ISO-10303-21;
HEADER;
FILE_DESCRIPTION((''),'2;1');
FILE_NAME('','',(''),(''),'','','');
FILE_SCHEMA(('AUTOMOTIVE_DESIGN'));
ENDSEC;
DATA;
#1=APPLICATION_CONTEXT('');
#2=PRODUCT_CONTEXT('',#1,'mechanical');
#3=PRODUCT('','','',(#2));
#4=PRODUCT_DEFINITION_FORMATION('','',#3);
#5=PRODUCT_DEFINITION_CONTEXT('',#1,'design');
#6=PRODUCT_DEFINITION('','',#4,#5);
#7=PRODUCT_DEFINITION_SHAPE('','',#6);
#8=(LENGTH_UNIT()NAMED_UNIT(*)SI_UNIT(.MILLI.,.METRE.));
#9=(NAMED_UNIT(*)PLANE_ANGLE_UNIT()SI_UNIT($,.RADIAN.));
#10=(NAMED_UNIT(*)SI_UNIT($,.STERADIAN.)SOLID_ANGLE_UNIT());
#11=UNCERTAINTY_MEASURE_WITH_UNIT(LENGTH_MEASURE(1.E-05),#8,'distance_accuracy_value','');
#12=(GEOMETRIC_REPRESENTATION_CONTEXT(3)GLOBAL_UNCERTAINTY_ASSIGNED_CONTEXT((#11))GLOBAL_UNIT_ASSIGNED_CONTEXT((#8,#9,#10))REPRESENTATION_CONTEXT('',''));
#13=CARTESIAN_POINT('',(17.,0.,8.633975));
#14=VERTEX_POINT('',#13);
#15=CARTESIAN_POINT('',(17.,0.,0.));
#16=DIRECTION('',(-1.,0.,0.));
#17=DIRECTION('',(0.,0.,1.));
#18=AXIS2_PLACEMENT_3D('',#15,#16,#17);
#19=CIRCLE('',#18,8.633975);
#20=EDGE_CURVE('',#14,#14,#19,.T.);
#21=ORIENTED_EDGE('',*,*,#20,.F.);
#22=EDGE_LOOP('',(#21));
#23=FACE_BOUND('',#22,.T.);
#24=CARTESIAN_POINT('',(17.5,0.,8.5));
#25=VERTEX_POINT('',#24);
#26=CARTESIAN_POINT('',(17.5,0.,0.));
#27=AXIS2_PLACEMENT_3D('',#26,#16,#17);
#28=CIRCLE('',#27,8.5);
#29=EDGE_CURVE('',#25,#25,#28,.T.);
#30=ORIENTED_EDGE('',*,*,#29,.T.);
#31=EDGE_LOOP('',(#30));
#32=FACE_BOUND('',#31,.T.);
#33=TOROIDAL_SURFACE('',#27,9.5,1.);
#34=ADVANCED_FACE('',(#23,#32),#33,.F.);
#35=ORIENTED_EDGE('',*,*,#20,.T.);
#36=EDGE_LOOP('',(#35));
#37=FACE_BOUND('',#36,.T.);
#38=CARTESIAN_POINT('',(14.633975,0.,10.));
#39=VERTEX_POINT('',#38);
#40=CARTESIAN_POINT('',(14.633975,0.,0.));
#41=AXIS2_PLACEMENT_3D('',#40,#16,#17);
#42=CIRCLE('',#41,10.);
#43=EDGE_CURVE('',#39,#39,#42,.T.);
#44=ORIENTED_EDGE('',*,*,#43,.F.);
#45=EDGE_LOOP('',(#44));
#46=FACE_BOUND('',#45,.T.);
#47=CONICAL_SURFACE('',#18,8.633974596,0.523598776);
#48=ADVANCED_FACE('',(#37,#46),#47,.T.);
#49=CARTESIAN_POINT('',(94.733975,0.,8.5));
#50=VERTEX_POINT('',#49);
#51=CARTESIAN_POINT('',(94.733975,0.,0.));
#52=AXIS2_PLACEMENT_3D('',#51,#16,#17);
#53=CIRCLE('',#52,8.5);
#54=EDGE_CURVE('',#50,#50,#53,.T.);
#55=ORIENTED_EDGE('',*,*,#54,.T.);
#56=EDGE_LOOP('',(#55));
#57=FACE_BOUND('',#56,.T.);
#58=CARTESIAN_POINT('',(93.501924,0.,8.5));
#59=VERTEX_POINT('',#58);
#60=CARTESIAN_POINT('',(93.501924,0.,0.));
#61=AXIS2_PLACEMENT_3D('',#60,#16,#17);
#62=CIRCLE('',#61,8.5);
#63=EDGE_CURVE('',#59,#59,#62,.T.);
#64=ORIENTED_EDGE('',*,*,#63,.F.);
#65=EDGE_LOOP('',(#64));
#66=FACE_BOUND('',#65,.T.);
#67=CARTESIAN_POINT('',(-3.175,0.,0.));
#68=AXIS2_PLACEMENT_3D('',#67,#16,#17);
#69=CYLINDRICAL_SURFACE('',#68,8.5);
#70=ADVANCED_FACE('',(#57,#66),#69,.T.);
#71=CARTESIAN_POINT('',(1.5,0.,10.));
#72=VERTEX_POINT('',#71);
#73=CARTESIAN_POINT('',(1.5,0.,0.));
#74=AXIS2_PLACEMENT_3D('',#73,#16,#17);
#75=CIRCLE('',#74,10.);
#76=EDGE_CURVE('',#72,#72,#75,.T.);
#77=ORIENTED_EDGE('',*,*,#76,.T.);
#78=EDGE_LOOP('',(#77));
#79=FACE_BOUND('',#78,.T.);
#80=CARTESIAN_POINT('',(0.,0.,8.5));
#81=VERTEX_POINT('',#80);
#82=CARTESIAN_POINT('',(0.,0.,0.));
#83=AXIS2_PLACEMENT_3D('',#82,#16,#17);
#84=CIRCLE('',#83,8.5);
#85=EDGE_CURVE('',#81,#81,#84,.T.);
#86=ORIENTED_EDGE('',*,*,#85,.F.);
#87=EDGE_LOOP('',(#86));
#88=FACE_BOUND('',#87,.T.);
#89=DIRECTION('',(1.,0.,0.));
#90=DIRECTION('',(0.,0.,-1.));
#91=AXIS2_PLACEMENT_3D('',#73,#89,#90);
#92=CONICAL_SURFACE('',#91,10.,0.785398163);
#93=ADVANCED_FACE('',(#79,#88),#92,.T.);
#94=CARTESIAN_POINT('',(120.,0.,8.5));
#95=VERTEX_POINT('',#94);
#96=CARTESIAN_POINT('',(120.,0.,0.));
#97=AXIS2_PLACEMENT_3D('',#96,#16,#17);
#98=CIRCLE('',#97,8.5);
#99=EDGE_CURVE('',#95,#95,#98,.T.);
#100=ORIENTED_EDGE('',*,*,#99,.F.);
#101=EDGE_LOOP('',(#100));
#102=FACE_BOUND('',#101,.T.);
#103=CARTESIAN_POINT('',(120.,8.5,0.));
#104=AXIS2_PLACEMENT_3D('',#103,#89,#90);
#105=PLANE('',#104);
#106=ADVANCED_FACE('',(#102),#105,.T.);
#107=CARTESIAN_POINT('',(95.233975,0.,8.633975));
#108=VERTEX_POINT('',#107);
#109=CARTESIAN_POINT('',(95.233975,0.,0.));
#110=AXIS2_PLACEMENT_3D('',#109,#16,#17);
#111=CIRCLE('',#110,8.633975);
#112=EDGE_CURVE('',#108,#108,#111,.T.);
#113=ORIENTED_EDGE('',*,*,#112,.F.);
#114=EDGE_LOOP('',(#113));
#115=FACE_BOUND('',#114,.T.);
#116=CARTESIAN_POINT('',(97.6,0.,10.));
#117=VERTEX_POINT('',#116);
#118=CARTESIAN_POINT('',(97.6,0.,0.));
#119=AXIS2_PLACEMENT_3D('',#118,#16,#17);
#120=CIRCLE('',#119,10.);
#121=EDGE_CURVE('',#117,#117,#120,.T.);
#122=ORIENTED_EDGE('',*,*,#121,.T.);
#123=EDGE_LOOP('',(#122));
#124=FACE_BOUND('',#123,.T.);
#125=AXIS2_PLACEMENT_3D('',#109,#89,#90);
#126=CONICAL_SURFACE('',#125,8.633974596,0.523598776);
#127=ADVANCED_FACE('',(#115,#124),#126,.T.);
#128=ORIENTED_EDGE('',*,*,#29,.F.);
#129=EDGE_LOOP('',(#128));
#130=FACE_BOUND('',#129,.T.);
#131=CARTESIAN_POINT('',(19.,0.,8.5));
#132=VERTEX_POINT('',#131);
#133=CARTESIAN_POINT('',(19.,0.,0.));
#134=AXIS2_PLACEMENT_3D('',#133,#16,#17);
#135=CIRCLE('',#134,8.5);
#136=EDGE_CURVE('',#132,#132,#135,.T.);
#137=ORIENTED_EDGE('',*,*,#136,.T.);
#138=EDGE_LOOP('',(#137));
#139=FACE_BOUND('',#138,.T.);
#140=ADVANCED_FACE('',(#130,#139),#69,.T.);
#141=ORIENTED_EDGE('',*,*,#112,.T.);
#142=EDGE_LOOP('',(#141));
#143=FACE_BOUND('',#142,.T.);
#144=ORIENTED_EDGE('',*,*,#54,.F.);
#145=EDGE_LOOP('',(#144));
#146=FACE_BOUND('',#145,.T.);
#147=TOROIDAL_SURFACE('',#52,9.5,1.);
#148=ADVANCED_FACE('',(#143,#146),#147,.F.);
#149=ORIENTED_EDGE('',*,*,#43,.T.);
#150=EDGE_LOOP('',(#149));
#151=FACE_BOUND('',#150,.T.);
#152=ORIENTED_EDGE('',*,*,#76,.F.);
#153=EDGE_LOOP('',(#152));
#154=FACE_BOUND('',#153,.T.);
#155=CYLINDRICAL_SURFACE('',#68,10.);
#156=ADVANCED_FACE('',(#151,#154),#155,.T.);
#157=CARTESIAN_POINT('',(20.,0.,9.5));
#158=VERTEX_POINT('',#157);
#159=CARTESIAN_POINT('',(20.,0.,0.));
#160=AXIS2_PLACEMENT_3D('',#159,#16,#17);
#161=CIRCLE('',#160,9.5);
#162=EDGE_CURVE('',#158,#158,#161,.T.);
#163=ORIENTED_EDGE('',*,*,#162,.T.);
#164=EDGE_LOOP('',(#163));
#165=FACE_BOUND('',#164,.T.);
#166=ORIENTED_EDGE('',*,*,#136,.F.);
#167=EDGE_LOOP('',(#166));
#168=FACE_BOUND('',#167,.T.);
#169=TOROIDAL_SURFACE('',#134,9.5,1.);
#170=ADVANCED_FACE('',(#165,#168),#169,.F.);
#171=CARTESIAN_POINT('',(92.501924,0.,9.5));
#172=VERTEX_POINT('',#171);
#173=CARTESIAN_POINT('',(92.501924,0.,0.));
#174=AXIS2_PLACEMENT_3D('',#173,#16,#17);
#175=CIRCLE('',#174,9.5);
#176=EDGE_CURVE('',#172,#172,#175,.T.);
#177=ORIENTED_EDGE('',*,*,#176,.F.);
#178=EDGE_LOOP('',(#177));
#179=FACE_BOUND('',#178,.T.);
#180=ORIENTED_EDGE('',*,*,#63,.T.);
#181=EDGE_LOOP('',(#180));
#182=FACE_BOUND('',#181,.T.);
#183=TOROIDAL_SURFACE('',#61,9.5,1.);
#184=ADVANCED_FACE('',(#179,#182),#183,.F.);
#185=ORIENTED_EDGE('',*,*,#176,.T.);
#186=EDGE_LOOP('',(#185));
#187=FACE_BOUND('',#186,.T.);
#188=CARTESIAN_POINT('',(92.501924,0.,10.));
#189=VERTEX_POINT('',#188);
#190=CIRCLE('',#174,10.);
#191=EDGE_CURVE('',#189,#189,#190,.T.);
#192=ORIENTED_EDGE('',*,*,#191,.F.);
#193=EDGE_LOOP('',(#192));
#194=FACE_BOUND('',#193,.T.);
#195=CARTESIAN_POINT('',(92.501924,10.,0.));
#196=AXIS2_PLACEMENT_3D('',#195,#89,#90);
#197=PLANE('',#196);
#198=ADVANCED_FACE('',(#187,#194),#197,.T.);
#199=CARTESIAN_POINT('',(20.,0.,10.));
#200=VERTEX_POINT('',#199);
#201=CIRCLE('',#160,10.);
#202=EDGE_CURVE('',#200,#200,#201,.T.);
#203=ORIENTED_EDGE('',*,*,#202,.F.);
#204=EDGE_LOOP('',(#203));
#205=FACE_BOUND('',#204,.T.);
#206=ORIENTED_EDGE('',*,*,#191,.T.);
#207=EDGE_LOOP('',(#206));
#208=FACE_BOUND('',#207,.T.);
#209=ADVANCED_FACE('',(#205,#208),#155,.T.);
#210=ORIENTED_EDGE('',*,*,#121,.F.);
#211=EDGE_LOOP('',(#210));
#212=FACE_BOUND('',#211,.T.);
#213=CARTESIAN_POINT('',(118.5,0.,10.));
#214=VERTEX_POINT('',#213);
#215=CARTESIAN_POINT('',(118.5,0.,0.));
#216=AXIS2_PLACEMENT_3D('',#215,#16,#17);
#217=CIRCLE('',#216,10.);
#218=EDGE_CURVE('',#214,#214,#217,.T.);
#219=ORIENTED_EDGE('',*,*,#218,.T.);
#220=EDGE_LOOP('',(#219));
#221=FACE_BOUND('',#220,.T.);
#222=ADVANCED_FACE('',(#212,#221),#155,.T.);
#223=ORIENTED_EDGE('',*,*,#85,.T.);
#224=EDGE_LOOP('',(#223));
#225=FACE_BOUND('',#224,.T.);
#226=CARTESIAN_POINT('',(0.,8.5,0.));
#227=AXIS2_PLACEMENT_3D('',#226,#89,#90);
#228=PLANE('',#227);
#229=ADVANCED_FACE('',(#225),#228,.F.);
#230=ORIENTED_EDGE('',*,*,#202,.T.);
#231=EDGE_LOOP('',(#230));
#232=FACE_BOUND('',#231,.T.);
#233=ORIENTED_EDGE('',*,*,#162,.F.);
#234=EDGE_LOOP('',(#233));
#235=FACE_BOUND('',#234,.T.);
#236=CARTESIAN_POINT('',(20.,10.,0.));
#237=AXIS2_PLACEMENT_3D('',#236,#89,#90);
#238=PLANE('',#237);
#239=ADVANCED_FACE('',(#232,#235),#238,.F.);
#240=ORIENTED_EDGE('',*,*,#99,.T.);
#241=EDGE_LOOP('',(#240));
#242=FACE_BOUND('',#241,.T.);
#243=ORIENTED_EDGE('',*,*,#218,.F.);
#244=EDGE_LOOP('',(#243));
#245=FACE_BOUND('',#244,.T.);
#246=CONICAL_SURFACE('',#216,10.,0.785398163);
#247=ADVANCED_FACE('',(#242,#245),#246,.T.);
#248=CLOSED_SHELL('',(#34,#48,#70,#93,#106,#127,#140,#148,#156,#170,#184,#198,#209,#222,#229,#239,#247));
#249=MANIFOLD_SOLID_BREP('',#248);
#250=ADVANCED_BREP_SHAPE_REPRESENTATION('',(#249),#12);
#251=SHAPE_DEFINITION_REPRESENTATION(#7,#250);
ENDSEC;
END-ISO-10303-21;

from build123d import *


with BuildPart() as part:
    # BodySke → BaseBody (revolve)
    with BuildSketch(Plane.XY, mode=Mode.PRIVATE) as basebody_sk:
        with BuildLine():
            Line((17, 8.633974596), (14.633974596, 10))
            Line((14.633974596, 10), (1.5, 10))
            Line((1.5, 10), (0, 8.5))
            Line((0, 8.5), (0, 0))
            Line((0, 0), (120, 0))
            Line((120, 0), (120, 8.5))
            Line((120, 8.5), (118.5, 10))
            Line((118.5, 10), (97.6, 10))
            Line((97.6, 10), (95.233974596, 8.633974596))
            ThreePointArc((95.233974596, 8.633974596), (94.992793641, 8.534074174), (94.733974596, 8.5))
            Line((94.733974596, 8.5), (93.501923789, 8.5))
            ThreePointArc((93.501923789, 8.5), (92.794817007, 8.792893219), (92.501923789, 9.5))
            Line((92.501923789, 9.5), (92.501923789, 10))
            Line((92.501923789, 10), (20, 10))
            Line((20, 10), (20, 9.5))
            ThreePointArc((20, 9.5), (19.707106781, 8.792893219), (19, 8.5))
            Line((19, 8.5), (17.5, 8.5))
            ThreePointArc((17.5, 8.5), (17.241180955, 8.534074174), (17, 8.633974596))
        make_face()
    revolve(basebody_sk.sketch.rotate(Axis((-3.175, 0, 0), (1, 0, 0)), 90), axis=Axis((-3.175, 0, 0), (1, 0, 0)))


solid = part.part
